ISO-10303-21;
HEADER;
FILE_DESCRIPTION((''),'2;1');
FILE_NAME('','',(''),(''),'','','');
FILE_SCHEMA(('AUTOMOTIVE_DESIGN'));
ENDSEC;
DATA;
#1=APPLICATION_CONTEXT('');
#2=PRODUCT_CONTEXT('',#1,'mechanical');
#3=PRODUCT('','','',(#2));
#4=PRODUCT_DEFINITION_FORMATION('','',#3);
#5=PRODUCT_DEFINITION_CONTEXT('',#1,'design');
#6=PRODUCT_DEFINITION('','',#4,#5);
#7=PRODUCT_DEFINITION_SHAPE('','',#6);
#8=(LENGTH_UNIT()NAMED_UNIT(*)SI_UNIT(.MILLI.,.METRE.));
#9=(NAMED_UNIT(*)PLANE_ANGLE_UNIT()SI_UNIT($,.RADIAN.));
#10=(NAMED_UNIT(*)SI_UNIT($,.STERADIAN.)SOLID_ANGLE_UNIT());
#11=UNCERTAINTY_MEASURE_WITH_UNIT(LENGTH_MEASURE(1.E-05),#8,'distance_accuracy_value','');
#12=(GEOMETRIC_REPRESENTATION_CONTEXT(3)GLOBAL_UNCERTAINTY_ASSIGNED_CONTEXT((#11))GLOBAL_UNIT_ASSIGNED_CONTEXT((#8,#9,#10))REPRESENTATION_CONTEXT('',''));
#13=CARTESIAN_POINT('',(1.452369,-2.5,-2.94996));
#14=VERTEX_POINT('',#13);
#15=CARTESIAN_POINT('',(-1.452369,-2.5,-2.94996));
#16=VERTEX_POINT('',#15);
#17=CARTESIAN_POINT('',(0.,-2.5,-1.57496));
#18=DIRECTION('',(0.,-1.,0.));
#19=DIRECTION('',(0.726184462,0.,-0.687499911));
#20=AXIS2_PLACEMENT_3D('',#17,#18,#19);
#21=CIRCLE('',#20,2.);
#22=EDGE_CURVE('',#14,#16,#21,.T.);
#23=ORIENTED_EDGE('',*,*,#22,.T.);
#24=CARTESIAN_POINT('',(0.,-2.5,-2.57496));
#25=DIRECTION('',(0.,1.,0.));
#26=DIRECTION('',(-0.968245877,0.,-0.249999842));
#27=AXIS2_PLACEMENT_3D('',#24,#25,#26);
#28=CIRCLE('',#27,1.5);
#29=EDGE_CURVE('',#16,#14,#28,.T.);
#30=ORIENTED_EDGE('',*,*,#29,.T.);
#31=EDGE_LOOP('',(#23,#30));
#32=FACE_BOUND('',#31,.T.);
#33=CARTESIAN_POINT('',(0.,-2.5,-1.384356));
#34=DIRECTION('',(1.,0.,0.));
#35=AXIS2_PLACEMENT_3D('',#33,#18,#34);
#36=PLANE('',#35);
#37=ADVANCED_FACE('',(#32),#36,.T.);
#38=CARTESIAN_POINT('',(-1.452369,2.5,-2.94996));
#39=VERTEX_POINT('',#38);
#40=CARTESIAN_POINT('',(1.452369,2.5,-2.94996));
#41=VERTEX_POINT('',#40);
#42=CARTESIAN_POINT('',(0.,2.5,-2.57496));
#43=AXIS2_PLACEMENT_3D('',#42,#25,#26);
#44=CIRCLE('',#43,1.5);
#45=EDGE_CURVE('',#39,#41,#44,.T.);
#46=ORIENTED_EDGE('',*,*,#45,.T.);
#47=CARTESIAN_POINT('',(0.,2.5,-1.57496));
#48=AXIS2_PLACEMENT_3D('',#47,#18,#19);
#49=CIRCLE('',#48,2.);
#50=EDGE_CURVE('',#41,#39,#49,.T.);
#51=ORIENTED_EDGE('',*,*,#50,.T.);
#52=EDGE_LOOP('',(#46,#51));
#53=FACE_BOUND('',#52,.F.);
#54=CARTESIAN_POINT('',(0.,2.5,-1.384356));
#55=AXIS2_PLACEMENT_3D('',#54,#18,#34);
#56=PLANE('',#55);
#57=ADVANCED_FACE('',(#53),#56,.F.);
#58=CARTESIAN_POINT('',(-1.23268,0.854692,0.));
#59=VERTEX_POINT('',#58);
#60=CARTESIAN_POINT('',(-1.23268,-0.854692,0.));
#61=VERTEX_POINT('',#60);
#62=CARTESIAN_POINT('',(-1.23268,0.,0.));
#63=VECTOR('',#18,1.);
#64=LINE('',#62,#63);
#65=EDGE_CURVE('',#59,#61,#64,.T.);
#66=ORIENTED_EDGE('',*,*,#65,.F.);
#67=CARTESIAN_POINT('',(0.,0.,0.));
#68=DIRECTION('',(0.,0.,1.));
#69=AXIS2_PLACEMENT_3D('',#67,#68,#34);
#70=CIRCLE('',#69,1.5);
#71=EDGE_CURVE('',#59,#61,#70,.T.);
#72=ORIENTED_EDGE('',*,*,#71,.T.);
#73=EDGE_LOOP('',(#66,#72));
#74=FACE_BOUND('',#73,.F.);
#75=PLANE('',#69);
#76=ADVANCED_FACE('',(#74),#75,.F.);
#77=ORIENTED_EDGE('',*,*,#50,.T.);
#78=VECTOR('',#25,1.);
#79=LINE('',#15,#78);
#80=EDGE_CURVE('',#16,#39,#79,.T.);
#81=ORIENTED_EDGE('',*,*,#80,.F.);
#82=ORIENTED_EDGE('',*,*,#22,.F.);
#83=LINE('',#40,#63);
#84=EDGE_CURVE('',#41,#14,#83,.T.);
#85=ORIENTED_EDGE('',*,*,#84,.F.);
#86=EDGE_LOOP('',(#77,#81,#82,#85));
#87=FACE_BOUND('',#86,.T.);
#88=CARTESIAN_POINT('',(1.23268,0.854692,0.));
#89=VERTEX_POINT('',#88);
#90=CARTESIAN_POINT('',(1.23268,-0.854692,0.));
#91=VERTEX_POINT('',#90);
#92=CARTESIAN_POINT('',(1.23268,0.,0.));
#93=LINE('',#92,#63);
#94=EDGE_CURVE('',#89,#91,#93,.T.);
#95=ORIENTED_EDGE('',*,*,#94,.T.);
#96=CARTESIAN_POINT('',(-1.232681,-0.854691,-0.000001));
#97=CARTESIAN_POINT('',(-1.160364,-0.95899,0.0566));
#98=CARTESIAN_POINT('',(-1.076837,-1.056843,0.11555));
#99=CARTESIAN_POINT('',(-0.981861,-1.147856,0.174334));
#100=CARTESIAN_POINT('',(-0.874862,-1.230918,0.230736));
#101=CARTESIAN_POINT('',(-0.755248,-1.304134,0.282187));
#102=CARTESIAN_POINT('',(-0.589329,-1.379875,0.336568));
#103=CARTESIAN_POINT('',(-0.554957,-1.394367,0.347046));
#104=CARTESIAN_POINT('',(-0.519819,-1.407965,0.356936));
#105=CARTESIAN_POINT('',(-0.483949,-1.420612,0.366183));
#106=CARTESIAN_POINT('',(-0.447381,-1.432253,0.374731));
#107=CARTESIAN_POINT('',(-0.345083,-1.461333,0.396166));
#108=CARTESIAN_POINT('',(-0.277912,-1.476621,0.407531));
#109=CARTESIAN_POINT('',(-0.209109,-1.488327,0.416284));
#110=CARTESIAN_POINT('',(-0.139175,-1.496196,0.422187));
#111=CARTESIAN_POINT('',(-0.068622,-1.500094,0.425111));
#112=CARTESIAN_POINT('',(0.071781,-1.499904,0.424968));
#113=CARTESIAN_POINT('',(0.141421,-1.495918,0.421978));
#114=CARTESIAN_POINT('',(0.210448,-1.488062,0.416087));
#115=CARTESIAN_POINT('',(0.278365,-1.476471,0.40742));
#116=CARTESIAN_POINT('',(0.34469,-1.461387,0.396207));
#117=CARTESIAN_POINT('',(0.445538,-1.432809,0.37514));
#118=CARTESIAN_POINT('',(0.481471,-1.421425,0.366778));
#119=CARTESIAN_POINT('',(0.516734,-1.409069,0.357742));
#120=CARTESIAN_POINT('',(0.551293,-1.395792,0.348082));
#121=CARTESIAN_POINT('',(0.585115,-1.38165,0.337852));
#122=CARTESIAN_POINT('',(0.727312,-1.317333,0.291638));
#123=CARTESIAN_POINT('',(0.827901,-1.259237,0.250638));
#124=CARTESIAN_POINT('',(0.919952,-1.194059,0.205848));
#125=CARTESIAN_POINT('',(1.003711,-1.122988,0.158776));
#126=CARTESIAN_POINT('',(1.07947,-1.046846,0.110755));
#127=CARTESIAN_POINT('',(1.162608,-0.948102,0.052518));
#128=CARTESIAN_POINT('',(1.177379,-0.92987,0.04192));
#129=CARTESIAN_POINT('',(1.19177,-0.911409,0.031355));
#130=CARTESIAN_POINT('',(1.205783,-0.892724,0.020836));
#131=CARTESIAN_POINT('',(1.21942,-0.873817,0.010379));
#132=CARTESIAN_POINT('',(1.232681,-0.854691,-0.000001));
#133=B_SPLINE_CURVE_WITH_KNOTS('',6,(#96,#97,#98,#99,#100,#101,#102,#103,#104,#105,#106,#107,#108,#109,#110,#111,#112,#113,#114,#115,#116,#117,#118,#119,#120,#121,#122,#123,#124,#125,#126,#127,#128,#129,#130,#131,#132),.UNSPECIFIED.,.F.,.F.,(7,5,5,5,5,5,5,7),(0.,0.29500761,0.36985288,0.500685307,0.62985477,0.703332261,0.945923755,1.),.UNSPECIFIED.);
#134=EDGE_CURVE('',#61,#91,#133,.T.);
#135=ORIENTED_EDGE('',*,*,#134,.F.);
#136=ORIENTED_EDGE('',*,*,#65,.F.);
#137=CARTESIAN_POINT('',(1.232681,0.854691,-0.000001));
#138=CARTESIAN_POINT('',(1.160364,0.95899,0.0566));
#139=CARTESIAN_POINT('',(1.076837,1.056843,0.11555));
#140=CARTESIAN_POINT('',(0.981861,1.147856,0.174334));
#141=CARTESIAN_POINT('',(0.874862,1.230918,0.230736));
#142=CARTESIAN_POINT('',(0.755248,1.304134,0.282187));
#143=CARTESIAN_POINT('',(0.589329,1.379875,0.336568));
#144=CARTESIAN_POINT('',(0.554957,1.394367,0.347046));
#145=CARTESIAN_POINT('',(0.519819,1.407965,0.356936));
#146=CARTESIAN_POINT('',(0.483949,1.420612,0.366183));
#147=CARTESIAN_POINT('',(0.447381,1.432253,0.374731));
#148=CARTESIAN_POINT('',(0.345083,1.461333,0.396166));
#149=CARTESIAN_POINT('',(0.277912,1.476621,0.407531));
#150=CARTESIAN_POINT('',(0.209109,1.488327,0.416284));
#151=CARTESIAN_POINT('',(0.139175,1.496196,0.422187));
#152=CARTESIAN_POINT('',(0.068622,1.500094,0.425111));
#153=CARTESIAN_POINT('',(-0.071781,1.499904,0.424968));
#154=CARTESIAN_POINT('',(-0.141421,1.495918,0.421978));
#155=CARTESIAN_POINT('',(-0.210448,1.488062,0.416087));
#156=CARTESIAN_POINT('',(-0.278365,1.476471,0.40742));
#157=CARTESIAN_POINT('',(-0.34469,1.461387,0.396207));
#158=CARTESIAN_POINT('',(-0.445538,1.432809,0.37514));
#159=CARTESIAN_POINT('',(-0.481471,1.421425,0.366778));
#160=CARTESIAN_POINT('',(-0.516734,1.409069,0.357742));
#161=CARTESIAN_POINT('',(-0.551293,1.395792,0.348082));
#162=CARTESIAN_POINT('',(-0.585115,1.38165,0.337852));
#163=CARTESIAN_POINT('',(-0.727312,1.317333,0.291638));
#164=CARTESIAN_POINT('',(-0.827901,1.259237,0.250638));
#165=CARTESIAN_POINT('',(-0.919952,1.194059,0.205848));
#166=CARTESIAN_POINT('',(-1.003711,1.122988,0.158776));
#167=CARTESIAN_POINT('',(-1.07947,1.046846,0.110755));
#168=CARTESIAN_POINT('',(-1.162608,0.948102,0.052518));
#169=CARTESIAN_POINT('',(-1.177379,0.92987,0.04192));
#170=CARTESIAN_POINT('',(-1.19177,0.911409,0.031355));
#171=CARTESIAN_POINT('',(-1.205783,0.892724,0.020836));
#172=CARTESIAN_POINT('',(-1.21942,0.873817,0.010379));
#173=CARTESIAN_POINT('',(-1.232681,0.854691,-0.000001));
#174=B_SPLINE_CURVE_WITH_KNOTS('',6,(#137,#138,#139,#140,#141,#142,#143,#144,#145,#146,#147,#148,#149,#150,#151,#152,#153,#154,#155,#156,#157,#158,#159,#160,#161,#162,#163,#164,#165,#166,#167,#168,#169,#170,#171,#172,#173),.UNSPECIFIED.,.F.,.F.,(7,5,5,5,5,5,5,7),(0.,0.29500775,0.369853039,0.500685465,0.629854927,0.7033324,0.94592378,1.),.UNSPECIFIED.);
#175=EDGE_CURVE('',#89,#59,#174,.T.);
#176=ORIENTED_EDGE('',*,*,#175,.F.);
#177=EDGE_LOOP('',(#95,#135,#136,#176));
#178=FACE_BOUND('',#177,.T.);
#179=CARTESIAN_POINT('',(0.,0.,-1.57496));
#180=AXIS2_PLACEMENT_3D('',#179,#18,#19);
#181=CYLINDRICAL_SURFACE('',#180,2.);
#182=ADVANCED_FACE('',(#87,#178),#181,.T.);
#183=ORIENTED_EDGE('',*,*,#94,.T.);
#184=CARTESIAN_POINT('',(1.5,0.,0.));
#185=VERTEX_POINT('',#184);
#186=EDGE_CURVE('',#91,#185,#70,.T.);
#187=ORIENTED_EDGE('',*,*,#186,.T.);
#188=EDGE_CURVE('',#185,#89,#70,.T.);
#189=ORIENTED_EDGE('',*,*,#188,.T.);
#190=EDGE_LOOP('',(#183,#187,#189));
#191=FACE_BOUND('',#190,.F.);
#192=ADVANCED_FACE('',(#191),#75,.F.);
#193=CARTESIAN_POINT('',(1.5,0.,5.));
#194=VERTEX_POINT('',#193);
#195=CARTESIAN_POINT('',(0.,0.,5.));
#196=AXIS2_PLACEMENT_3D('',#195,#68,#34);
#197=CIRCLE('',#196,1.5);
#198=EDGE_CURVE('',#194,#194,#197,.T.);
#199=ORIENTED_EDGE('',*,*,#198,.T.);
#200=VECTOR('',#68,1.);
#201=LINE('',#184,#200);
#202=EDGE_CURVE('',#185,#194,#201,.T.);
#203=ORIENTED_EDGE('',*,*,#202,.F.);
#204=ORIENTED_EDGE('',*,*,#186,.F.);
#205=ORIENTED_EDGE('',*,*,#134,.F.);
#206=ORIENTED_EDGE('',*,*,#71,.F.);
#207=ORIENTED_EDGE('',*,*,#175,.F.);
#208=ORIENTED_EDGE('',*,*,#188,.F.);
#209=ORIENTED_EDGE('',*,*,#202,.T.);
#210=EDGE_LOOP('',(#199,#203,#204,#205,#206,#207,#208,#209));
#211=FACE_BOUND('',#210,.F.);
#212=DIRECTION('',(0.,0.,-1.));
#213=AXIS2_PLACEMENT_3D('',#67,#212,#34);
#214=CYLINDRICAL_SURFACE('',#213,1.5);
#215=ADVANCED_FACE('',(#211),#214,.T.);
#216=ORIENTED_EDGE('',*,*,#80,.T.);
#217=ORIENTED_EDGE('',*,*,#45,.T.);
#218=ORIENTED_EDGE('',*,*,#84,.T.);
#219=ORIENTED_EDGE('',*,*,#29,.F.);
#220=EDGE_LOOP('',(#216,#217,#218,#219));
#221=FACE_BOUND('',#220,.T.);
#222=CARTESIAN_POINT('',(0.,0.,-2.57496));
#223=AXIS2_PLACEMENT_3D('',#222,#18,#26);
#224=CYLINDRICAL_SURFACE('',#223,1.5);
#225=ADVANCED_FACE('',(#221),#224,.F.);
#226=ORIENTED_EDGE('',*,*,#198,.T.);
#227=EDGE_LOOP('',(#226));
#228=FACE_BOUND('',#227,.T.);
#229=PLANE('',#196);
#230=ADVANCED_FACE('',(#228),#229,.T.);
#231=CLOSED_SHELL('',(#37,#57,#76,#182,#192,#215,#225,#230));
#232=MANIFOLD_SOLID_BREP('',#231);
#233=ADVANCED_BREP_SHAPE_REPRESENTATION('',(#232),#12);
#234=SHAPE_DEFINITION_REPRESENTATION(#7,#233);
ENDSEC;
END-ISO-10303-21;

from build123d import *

# Parameters (mm, degrees)
F1_DEPTH = 2.5
F2_R     = 1.5
F3_DEPTH = 5


with BuildPart() as f1:
    # F0 (on Front) → F1 (new body, symmetric)
    with BuildSketch(Plane.XZ):
        with BuildLine():
            ThreePointArc((-1.452369, -2.94996), (0, -1.07496), (1.452369, -2.94996))
            ThreePointArc((1.452369, -2.94996), (0, 0.42504), (-1.452369, -2.94996))
        make_face()
    extrude(amount=F1_DEPTH, both=True)

    # F2 (on Top) → F3 (join)
    with BuildSketch(Plane.XY):
        Circle(F2_R)
    extrude(amount=F3_DEPTH)


solid = f1.part
